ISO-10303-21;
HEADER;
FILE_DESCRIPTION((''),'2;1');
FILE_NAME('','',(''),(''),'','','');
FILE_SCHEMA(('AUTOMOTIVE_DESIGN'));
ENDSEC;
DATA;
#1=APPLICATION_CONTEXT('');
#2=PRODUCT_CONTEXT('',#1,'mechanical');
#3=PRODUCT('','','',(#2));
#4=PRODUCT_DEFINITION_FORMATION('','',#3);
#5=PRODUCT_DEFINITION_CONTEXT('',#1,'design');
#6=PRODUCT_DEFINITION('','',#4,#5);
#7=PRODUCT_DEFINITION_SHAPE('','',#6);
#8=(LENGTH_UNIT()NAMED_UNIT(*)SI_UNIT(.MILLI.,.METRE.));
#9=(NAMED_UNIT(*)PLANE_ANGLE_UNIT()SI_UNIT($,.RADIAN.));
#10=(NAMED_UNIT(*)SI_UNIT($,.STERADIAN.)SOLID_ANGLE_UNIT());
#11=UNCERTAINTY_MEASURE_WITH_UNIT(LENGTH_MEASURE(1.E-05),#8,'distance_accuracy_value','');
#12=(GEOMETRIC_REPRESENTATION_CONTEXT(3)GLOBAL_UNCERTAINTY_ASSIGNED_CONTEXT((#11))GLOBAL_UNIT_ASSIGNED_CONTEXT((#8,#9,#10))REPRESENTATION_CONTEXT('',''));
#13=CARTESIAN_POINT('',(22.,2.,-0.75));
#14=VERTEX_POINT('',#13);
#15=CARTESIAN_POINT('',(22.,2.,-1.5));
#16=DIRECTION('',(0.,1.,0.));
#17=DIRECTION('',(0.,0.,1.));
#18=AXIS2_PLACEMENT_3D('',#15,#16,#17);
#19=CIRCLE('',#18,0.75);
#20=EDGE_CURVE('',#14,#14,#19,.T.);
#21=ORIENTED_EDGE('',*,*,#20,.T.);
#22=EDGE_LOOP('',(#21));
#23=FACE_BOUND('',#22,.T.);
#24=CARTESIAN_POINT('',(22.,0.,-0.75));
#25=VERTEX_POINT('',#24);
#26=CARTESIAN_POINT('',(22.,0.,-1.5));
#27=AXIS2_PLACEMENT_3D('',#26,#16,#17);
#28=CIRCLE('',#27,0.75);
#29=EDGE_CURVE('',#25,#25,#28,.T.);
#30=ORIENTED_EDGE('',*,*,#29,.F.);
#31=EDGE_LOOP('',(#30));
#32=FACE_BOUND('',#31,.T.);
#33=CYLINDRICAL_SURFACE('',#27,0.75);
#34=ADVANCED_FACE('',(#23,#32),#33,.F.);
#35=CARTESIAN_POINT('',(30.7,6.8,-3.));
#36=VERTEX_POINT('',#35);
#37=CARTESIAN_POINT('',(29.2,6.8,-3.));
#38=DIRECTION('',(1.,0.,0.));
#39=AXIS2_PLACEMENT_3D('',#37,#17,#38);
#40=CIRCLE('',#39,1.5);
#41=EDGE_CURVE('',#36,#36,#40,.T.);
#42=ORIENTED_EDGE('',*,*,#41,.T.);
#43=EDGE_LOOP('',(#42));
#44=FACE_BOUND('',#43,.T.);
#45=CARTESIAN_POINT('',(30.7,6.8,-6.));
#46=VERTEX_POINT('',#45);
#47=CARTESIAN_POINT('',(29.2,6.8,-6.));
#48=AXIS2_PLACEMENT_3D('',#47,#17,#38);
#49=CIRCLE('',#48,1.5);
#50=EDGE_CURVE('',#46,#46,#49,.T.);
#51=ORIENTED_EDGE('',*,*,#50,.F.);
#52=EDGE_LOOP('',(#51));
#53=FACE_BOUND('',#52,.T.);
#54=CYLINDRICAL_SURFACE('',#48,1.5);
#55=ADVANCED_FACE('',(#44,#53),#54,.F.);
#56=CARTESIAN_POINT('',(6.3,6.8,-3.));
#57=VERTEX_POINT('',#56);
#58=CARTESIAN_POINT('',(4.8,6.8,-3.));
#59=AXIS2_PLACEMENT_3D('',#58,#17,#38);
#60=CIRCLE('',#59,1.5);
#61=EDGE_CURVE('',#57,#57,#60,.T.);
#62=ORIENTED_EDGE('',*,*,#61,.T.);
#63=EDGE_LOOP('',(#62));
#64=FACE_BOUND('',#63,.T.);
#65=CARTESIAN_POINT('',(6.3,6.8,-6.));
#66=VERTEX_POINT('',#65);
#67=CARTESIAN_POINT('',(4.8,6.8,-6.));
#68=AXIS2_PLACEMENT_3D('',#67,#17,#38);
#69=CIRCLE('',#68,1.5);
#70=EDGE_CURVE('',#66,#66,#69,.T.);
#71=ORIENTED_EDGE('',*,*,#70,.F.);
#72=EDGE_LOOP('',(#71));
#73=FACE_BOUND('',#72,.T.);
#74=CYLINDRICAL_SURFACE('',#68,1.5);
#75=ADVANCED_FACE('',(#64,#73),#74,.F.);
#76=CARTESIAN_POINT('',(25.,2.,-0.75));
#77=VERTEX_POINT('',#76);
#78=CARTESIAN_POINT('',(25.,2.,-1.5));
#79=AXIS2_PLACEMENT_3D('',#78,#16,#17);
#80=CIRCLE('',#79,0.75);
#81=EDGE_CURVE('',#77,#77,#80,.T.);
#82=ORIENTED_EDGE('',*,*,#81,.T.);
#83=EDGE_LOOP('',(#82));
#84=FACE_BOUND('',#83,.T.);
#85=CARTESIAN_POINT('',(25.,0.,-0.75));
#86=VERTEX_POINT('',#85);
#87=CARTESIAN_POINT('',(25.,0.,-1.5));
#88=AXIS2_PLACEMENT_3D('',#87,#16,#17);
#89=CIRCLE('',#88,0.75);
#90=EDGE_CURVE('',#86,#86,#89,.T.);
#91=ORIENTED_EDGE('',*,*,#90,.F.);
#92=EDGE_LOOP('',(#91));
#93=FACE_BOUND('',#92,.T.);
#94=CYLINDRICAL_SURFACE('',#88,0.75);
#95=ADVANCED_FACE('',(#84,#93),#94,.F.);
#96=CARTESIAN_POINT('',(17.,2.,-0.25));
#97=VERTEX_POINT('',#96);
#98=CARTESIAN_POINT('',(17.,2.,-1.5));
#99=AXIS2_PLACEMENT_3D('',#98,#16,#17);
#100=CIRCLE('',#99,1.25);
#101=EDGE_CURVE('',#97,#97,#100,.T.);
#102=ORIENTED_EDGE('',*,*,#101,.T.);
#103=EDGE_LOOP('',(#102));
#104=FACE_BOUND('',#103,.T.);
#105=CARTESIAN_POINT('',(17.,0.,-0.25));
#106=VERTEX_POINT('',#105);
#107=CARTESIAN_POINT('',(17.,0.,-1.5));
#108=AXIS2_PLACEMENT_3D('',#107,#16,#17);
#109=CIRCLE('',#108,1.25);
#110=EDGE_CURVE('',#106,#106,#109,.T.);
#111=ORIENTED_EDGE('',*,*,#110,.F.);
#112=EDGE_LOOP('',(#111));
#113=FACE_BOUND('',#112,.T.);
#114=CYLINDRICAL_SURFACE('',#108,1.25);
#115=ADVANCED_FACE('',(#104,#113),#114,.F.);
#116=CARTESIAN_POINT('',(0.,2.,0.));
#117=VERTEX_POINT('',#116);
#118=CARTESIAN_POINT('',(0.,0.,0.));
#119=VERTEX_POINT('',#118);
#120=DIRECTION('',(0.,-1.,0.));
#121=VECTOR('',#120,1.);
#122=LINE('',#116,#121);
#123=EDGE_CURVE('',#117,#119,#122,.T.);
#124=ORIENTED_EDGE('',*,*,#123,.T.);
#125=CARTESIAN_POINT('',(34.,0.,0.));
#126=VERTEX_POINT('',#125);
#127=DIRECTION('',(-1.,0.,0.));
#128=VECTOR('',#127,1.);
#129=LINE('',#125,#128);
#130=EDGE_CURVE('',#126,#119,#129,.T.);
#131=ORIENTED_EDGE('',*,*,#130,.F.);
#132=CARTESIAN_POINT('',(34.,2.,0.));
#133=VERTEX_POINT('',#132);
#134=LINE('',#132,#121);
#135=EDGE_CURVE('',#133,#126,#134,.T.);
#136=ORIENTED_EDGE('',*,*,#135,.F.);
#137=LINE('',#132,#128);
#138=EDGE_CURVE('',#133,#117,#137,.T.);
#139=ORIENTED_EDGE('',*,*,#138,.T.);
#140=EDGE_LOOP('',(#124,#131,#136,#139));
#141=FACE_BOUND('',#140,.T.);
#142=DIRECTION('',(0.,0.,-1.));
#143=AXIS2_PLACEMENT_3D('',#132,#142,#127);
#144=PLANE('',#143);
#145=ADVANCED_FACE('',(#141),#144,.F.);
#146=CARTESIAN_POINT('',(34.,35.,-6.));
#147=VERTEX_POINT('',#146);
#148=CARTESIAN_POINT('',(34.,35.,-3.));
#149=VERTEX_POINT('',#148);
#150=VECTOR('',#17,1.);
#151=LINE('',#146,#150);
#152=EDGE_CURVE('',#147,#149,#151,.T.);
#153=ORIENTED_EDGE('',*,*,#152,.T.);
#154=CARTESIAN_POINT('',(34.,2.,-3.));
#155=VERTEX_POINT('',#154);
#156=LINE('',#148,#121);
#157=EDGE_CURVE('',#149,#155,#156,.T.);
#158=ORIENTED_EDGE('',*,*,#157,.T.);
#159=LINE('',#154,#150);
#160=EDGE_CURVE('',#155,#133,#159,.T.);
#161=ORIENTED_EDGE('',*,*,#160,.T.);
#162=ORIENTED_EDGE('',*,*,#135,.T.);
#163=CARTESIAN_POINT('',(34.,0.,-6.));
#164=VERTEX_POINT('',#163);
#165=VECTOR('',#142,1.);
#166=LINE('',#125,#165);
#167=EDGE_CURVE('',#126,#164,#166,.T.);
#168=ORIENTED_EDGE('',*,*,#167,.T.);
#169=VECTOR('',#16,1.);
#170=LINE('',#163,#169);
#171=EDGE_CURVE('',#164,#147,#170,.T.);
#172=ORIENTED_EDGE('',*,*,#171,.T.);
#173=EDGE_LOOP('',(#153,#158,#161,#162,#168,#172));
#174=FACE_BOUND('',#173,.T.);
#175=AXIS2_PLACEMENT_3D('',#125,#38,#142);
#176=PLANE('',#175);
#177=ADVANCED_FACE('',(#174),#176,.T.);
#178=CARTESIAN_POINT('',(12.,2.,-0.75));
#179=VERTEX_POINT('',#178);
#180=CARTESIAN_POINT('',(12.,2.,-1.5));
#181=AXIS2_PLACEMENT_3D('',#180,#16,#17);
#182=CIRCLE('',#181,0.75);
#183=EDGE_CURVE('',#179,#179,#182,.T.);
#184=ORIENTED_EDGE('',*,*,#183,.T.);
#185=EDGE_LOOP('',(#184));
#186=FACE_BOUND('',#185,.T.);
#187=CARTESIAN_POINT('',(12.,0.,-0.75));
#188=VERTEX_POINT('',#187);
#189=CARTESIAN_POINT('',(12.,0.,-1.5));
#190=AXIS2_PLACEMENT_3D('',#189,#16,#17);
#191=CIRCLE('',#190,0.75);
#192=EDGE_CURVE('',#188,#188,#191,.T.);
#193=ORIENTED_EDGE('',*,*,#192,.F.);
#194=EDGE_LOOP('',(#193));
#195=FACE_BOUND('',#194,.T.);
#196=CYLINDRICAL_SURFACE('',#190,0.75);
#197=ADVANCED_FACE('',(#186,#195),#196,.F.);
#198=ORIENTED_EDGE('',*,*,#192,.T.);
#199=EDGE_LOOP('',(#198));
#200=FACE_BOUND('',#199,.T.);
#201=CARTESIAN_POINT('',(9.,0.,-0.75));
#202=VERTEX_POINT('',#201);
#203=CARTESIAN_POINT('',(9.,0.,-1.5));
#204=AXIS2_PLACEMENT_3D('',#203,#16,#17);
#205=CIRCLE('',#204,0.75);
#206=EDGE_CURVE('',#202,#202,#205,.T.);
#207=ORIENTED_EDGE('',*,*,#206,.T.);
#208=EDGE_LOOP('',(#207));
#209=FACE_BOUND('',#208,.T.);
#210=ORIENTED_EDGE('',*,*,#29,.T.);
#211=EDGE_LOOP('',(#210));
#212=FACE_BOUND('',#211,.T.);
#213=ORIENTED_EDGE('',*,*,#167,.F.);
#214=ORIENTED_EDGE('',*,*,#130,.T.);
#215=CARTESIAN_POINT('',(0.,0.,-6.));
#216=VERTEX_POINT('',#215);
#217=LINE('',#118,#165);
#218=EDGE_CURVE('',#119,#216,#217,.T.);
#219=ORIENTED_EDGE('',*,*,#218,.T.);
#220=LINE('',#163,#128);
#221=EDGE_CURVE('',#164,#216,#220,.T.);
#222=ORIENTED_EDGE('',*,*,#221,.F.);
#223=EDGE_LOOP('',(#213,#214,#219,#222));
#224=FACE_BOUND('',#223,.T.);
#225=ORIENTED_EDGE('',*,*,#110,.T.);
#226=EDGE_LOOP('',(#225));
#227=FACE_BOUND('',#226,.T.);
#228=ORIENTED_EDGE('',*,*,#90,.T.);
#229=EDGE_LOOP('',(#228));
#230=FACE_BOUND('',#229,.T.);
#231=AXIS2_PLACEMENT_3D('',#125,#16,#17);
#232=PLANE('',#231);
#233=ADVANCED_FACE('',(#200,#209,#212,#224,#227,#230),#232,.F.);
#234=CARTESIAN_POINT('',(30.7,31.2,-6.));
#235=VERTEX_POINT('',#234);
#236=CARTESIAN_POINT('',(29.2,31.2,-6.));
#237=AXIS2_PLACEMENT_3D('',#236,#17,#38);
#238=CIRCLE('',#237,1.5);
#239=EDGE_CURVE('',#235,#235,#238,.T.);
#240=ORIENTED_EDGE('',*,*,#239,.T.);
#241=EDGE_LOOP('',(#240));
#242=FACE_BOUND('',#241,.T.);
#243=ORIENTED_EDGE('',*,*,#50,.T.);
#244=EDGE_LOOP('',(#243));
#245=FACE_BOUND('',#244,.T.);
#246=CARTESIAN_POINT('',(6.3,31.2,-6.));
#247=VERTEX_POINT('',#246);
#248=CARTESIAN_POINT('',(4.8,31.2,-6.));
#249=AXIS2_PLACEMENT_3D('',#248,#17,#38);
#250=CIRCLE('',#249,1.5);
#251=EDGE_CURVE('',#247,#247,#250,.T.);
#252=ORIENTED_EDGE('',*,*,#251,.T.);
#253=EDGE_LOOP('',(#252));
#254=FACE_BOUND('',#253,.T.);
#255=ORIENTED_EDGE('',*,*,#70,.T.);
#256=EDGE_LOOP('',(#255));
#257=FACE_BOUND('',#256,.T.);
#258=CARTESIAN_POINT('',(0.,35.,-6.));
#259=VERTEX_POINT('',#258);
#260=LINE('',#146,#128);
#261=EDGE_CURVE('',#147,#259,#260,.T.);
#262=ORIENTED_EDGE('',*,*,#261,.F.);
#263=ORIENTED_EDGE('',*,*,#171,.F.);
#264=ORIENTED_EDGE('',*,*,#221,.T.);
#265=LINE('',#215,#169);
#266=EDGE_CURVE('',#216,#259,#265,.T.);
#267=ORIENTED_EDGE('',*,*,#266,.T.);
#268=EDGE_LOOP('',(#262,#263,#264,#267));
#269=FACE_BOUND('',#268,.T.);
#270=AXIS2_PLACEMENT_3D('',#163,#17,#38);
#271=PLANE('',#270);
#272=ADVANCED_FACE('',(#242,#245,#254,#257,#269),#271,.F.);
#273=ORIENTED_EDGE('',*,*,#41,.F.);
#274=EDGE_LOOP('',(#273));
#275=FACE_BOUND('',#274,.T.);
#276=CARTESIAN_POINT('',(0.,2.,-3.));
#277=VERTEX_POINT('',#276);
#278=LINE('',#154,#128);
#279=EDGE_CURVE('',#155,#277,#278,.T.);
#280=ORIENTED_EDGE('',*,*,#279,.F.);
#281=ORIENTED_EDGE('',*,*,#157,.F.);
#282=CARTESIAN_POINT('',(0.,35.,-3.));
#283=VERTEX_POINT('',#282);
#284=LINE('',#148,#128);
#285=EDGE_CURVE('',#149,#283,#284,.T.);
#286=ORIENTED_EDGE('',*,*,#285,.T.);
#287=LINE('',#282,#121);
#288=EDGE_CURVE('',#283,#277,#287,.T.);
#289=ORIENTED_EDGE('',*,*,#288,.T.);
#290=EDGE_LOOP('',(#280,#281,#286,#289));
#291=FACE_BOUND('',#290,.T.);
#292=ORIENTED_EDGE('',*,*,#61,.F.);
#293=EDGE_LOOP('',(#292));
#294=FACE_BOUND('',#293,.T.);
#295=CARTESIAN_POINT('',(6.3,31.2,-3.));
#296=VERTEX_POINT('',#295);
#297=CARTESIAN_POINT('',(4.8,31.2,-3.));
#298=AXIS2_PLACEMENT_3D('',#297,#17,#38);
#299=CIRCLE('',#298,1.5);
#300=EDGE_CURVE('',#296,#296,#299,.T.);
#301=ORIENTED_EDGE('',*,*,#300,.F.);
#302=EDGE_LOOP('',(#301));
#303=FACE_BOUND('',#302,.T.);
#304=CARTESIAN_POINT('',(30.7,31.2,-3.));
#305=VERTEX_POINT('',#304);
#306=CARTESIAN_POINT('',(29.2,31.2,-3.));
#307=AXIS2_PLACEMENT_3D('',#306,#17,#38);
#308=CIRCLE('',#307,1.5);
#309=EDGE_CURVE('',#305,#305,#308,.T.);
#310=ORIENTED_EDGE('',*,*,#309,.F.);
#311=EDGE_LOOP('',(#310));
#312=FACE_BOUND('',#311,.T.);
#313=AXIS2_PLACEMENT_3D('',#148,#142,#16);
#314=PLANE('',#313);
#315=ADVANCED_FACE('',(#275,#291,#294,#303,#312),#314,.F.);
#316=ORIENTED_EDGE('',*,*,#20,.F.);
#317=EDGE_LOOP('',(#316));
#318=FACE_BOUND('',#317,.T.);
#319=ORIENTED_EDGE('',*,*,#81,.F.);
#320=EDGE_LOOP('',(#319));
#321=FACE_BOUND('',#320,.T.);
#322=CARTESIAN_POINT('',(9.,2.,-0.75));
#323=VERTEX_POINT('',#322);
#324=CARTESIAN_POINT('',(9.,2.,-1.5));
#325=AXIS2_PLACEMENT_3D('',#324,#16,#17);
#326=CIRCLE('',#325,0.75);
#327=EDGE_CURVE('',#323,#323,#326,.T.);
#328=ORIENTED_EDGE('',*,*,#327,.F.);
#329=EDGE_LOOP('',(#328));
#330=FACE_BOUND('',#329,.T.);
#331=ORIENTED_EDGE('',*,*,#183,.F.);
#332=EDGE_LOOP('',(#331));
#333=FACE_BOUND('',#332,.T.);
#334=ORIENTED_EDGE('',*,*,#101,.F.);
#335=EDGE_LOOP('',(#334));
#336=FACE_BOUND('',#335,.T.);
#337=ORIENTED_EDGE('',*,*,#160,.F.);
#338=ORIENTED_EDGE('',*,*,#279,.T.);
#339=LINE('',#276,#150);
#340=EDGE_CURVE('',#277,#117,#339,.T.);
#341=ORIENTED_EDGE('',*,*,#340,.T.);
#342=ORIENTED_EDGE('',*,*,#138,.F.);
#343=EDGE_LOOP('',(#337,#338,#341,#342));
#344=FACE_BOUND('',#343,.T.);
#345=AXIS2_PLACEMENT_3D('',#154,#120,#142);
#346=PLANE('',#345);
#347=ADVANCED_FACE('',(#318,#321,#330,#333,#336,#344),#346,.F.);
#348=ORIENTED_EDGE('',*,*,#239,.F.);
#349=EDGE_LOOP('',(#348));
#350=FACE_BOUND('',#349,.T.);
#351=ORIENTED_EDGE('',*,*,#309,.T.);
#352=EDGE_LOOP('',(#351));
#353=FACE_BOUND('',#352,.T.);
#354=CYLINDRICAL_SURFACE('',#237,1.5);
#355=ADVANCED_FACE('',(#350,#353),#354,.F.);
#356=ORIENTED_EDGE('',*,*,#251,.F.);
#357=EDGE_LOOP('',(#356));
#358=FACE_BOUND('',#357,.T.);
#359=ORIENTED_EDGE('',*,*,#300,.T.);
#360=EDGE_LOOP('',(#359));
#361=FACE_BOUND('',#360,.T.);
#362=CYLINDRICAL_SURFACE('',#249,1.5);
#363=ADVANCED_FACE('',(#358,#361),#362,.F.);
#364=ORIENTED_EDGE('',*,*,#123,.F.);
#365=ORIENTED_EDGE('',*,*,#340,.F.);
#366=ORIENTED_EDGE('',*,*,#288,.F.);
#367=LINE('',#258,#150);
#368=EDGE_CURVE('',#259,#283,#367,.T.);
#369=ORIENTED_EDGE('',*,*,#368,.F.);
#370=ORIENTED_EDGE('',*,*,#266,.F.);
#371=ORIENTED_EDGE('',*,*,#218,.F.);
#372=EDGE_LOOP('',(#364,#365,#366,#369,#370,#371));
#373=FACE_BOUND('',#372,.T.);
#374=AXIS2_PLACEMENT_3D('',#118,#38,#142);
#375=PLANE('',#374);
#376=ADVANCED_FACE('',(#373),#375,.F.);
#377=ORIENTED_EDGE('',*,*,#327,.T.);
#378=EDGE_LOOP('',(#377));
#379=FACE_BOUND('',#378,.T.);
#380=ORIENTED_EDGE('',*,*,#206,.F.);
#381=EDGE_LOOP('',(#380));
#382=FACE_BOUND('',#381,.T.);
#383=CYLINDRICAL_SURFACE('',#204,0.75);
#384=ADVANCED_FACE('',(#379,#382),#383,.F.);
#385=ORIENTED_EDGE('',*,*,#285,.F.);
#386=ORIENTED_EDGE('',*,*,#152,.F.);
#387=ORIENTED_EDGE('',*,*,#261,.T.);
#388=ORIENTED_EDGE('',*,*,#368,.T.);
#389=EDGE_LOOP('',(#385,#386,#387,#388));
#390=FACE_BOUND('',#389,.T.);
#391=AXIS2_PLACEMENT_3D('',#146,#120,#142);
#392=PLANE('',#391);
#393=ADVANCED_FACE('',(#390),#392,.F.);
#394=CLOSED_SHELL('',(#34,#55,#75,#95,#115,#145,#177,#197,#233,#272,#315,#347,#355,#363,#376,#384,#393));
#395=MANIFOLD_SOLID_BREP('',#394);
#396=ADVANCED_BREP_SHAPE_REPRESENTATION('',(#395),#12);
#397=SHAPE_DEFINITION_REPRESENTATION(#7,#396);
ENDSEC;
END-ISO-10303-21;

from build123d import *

# Parameters (mm, degrees)
BOSS_EXTRUDE1_DEPTH = 34
SKETCH2_R           = 1.5
CUT_EXTRUDE1_DEPTH  = 49.887626246
SKETCH3_R           = 1.25
SKETCH3_R_2         = 0.75
CUT_EXTRUDE2_DEPTH  = 48.759815745


with BuildPart() as part:
    # Sketch1 → Boss-Extrude1 (new body)
    with BuildSketch(Plane(origin=(0, 0, 0), x_dir=(0, 0, -1), z_dir=(1, 0, 0))):
        Polygon((0, 0), (6, 0), (6, 35), (3, 35), (3, 2), (0, 2), align=None)
    extrude(amount=BOSS_EXTRUDE1_DEPTH)

    # Sketch2 → Cut-Extrude1 (cut, through all)
    with BuildSketch(Plane.XY.offset(-3)):
        with Locations((29.2, 31.2)):
            Circle(SKETCH2_R)
        with Locations((4.8, 31.2)):
            Circle(SKETCH2_R)
        with Locations((4.8, 6.8)):
            Circle(SKETCH2_R)
        with Locations((29.2, 6.8)):
            Circle(SKETCH2_R)
    extrude(amount=-CUT_EXTRUDE1_DEPTH, mode=Mode.SUBTRACT)

    # Sketch3 → Cut-Extrude2 (cut, through all)
    with BuildSketch(Plane(origin=(0, 2, 0), x_dir=(1, 0, 0), z_dir=(0, 1, 0))):
        with Locations(Location((17, 1.5, 0), (0, 0, 270))):
            Circle(SKETCH3_R)
        with Locations(Location((22, 1.5, 0), (0, 0, 270))):
            Circle(SKETCH3_R_2)
        with Locations(Location((25, 1.5, 0), (0, 0, 270))):
            Circle(SKETCH3_R_2)
        with Locations(Location((12, 1.5, 0), (0, 0, 270))):
            Circle(SKETCH3_R_2)
        with Locations(Location((9, 1.5, 0), (0, 0, 270))):
            Circle(SKETCH3_R_2)
    extrude(amount=-CUT_EXTRUDE2_DEPTH, mode=Mode.SUBTRACT)


solid = part.part
